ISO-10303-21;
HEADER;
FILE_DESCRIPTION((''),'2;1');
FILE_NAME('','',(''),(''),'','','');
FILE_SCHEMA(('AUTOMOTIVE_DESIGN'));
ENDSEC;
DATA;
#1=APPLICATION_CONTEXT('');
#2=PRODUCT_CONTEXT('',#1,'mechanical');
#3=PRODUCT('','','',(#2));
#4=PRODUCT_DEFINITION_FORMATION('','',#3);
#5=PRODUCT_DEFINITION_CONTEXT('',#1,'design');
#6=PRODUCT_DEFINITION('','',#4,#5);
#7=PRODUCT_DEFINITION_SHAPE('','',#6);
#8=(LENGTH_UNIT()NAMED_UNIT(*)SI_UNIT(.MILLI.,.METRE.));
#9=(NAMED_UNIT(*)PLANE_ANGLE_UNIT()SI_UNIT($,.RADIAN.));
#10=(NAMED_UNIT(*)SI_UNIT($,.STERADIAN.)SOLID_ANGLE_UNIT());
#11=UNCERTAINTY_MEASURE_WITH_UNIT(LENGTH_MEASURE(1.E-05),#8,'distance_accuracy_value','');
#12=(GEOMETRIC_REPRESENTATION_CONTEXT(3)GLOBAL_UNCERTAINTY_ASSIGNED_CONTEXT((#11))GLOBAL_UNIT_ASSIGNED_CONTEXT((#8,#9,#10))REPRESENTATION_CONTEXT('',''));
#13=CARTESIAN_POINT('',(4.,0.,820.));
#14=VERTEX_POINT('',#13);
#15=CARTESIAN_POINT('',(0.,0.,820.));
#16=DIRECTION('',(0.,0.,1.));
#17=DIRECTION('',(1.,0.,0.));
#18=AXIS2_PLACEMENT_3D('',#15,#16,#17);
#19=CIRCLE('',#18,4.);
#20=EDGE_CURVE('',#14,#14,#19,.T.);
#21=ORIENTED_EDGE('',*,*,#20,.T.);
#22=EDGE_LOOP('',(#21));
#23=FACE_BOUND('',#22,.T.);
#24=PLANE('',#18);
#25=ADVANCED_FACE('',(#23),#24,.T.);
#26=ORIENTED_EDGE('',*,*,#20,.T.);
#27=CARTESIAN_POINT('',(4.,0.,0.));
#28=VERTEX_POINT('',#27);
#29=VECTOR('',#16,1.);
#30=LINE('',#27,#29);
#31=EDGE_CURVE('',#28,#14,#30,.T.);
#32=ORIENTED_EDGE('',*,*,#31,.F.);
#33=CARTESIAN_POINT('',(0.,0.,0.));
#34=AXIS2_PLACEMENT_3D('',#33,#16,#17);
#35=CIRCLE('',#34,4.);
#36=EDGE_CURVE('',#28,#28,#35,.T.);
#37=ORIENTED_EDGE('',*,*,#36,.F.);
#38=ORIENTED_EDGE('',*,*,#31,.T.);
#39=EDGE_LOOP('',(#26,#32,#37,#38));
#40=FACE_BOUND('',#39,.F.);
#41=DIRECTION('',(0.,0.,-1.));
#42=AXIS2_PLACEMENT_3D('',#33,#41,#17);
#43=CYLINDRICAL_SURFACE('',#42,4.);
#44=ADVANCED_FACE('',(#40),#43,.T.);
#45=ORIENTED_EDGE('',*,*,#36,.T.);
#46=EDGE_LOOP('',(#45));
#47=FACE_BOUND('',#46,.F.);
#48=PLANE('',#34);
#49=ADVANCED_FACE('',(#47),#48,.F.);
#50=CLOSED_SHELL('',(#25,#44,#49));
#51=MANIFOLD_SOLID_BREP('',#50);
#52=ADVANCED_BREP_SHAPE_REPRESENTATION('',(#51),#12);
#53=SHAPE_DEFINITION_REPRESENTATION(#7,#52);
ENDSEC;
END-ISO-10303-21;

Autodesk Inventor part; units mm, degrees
ref_plane "YZ Plane" through (0, 0, 0) normal (1, 0, 0) x (0, 1, 0)
ref_plane "XZ Plane" through (0, 0, 0) normal (0, 1, 0) x (-1, 0, 0)
ref_plane "XY Plane" through (0, 0, 0) normal (0, 0, 1) x (1, 0, 0)
sketch "Sketch1" plane through (0, 0, 0) normal (0, 0, 1) x (1, 0, 0)
  circle A0 centre (0, 0) radius 4
  dimension "d0" = 8
extrude "Extrusion1" add sketch "Sketch1" along normal blind 820
properties part number "y axis 8mm rod"
